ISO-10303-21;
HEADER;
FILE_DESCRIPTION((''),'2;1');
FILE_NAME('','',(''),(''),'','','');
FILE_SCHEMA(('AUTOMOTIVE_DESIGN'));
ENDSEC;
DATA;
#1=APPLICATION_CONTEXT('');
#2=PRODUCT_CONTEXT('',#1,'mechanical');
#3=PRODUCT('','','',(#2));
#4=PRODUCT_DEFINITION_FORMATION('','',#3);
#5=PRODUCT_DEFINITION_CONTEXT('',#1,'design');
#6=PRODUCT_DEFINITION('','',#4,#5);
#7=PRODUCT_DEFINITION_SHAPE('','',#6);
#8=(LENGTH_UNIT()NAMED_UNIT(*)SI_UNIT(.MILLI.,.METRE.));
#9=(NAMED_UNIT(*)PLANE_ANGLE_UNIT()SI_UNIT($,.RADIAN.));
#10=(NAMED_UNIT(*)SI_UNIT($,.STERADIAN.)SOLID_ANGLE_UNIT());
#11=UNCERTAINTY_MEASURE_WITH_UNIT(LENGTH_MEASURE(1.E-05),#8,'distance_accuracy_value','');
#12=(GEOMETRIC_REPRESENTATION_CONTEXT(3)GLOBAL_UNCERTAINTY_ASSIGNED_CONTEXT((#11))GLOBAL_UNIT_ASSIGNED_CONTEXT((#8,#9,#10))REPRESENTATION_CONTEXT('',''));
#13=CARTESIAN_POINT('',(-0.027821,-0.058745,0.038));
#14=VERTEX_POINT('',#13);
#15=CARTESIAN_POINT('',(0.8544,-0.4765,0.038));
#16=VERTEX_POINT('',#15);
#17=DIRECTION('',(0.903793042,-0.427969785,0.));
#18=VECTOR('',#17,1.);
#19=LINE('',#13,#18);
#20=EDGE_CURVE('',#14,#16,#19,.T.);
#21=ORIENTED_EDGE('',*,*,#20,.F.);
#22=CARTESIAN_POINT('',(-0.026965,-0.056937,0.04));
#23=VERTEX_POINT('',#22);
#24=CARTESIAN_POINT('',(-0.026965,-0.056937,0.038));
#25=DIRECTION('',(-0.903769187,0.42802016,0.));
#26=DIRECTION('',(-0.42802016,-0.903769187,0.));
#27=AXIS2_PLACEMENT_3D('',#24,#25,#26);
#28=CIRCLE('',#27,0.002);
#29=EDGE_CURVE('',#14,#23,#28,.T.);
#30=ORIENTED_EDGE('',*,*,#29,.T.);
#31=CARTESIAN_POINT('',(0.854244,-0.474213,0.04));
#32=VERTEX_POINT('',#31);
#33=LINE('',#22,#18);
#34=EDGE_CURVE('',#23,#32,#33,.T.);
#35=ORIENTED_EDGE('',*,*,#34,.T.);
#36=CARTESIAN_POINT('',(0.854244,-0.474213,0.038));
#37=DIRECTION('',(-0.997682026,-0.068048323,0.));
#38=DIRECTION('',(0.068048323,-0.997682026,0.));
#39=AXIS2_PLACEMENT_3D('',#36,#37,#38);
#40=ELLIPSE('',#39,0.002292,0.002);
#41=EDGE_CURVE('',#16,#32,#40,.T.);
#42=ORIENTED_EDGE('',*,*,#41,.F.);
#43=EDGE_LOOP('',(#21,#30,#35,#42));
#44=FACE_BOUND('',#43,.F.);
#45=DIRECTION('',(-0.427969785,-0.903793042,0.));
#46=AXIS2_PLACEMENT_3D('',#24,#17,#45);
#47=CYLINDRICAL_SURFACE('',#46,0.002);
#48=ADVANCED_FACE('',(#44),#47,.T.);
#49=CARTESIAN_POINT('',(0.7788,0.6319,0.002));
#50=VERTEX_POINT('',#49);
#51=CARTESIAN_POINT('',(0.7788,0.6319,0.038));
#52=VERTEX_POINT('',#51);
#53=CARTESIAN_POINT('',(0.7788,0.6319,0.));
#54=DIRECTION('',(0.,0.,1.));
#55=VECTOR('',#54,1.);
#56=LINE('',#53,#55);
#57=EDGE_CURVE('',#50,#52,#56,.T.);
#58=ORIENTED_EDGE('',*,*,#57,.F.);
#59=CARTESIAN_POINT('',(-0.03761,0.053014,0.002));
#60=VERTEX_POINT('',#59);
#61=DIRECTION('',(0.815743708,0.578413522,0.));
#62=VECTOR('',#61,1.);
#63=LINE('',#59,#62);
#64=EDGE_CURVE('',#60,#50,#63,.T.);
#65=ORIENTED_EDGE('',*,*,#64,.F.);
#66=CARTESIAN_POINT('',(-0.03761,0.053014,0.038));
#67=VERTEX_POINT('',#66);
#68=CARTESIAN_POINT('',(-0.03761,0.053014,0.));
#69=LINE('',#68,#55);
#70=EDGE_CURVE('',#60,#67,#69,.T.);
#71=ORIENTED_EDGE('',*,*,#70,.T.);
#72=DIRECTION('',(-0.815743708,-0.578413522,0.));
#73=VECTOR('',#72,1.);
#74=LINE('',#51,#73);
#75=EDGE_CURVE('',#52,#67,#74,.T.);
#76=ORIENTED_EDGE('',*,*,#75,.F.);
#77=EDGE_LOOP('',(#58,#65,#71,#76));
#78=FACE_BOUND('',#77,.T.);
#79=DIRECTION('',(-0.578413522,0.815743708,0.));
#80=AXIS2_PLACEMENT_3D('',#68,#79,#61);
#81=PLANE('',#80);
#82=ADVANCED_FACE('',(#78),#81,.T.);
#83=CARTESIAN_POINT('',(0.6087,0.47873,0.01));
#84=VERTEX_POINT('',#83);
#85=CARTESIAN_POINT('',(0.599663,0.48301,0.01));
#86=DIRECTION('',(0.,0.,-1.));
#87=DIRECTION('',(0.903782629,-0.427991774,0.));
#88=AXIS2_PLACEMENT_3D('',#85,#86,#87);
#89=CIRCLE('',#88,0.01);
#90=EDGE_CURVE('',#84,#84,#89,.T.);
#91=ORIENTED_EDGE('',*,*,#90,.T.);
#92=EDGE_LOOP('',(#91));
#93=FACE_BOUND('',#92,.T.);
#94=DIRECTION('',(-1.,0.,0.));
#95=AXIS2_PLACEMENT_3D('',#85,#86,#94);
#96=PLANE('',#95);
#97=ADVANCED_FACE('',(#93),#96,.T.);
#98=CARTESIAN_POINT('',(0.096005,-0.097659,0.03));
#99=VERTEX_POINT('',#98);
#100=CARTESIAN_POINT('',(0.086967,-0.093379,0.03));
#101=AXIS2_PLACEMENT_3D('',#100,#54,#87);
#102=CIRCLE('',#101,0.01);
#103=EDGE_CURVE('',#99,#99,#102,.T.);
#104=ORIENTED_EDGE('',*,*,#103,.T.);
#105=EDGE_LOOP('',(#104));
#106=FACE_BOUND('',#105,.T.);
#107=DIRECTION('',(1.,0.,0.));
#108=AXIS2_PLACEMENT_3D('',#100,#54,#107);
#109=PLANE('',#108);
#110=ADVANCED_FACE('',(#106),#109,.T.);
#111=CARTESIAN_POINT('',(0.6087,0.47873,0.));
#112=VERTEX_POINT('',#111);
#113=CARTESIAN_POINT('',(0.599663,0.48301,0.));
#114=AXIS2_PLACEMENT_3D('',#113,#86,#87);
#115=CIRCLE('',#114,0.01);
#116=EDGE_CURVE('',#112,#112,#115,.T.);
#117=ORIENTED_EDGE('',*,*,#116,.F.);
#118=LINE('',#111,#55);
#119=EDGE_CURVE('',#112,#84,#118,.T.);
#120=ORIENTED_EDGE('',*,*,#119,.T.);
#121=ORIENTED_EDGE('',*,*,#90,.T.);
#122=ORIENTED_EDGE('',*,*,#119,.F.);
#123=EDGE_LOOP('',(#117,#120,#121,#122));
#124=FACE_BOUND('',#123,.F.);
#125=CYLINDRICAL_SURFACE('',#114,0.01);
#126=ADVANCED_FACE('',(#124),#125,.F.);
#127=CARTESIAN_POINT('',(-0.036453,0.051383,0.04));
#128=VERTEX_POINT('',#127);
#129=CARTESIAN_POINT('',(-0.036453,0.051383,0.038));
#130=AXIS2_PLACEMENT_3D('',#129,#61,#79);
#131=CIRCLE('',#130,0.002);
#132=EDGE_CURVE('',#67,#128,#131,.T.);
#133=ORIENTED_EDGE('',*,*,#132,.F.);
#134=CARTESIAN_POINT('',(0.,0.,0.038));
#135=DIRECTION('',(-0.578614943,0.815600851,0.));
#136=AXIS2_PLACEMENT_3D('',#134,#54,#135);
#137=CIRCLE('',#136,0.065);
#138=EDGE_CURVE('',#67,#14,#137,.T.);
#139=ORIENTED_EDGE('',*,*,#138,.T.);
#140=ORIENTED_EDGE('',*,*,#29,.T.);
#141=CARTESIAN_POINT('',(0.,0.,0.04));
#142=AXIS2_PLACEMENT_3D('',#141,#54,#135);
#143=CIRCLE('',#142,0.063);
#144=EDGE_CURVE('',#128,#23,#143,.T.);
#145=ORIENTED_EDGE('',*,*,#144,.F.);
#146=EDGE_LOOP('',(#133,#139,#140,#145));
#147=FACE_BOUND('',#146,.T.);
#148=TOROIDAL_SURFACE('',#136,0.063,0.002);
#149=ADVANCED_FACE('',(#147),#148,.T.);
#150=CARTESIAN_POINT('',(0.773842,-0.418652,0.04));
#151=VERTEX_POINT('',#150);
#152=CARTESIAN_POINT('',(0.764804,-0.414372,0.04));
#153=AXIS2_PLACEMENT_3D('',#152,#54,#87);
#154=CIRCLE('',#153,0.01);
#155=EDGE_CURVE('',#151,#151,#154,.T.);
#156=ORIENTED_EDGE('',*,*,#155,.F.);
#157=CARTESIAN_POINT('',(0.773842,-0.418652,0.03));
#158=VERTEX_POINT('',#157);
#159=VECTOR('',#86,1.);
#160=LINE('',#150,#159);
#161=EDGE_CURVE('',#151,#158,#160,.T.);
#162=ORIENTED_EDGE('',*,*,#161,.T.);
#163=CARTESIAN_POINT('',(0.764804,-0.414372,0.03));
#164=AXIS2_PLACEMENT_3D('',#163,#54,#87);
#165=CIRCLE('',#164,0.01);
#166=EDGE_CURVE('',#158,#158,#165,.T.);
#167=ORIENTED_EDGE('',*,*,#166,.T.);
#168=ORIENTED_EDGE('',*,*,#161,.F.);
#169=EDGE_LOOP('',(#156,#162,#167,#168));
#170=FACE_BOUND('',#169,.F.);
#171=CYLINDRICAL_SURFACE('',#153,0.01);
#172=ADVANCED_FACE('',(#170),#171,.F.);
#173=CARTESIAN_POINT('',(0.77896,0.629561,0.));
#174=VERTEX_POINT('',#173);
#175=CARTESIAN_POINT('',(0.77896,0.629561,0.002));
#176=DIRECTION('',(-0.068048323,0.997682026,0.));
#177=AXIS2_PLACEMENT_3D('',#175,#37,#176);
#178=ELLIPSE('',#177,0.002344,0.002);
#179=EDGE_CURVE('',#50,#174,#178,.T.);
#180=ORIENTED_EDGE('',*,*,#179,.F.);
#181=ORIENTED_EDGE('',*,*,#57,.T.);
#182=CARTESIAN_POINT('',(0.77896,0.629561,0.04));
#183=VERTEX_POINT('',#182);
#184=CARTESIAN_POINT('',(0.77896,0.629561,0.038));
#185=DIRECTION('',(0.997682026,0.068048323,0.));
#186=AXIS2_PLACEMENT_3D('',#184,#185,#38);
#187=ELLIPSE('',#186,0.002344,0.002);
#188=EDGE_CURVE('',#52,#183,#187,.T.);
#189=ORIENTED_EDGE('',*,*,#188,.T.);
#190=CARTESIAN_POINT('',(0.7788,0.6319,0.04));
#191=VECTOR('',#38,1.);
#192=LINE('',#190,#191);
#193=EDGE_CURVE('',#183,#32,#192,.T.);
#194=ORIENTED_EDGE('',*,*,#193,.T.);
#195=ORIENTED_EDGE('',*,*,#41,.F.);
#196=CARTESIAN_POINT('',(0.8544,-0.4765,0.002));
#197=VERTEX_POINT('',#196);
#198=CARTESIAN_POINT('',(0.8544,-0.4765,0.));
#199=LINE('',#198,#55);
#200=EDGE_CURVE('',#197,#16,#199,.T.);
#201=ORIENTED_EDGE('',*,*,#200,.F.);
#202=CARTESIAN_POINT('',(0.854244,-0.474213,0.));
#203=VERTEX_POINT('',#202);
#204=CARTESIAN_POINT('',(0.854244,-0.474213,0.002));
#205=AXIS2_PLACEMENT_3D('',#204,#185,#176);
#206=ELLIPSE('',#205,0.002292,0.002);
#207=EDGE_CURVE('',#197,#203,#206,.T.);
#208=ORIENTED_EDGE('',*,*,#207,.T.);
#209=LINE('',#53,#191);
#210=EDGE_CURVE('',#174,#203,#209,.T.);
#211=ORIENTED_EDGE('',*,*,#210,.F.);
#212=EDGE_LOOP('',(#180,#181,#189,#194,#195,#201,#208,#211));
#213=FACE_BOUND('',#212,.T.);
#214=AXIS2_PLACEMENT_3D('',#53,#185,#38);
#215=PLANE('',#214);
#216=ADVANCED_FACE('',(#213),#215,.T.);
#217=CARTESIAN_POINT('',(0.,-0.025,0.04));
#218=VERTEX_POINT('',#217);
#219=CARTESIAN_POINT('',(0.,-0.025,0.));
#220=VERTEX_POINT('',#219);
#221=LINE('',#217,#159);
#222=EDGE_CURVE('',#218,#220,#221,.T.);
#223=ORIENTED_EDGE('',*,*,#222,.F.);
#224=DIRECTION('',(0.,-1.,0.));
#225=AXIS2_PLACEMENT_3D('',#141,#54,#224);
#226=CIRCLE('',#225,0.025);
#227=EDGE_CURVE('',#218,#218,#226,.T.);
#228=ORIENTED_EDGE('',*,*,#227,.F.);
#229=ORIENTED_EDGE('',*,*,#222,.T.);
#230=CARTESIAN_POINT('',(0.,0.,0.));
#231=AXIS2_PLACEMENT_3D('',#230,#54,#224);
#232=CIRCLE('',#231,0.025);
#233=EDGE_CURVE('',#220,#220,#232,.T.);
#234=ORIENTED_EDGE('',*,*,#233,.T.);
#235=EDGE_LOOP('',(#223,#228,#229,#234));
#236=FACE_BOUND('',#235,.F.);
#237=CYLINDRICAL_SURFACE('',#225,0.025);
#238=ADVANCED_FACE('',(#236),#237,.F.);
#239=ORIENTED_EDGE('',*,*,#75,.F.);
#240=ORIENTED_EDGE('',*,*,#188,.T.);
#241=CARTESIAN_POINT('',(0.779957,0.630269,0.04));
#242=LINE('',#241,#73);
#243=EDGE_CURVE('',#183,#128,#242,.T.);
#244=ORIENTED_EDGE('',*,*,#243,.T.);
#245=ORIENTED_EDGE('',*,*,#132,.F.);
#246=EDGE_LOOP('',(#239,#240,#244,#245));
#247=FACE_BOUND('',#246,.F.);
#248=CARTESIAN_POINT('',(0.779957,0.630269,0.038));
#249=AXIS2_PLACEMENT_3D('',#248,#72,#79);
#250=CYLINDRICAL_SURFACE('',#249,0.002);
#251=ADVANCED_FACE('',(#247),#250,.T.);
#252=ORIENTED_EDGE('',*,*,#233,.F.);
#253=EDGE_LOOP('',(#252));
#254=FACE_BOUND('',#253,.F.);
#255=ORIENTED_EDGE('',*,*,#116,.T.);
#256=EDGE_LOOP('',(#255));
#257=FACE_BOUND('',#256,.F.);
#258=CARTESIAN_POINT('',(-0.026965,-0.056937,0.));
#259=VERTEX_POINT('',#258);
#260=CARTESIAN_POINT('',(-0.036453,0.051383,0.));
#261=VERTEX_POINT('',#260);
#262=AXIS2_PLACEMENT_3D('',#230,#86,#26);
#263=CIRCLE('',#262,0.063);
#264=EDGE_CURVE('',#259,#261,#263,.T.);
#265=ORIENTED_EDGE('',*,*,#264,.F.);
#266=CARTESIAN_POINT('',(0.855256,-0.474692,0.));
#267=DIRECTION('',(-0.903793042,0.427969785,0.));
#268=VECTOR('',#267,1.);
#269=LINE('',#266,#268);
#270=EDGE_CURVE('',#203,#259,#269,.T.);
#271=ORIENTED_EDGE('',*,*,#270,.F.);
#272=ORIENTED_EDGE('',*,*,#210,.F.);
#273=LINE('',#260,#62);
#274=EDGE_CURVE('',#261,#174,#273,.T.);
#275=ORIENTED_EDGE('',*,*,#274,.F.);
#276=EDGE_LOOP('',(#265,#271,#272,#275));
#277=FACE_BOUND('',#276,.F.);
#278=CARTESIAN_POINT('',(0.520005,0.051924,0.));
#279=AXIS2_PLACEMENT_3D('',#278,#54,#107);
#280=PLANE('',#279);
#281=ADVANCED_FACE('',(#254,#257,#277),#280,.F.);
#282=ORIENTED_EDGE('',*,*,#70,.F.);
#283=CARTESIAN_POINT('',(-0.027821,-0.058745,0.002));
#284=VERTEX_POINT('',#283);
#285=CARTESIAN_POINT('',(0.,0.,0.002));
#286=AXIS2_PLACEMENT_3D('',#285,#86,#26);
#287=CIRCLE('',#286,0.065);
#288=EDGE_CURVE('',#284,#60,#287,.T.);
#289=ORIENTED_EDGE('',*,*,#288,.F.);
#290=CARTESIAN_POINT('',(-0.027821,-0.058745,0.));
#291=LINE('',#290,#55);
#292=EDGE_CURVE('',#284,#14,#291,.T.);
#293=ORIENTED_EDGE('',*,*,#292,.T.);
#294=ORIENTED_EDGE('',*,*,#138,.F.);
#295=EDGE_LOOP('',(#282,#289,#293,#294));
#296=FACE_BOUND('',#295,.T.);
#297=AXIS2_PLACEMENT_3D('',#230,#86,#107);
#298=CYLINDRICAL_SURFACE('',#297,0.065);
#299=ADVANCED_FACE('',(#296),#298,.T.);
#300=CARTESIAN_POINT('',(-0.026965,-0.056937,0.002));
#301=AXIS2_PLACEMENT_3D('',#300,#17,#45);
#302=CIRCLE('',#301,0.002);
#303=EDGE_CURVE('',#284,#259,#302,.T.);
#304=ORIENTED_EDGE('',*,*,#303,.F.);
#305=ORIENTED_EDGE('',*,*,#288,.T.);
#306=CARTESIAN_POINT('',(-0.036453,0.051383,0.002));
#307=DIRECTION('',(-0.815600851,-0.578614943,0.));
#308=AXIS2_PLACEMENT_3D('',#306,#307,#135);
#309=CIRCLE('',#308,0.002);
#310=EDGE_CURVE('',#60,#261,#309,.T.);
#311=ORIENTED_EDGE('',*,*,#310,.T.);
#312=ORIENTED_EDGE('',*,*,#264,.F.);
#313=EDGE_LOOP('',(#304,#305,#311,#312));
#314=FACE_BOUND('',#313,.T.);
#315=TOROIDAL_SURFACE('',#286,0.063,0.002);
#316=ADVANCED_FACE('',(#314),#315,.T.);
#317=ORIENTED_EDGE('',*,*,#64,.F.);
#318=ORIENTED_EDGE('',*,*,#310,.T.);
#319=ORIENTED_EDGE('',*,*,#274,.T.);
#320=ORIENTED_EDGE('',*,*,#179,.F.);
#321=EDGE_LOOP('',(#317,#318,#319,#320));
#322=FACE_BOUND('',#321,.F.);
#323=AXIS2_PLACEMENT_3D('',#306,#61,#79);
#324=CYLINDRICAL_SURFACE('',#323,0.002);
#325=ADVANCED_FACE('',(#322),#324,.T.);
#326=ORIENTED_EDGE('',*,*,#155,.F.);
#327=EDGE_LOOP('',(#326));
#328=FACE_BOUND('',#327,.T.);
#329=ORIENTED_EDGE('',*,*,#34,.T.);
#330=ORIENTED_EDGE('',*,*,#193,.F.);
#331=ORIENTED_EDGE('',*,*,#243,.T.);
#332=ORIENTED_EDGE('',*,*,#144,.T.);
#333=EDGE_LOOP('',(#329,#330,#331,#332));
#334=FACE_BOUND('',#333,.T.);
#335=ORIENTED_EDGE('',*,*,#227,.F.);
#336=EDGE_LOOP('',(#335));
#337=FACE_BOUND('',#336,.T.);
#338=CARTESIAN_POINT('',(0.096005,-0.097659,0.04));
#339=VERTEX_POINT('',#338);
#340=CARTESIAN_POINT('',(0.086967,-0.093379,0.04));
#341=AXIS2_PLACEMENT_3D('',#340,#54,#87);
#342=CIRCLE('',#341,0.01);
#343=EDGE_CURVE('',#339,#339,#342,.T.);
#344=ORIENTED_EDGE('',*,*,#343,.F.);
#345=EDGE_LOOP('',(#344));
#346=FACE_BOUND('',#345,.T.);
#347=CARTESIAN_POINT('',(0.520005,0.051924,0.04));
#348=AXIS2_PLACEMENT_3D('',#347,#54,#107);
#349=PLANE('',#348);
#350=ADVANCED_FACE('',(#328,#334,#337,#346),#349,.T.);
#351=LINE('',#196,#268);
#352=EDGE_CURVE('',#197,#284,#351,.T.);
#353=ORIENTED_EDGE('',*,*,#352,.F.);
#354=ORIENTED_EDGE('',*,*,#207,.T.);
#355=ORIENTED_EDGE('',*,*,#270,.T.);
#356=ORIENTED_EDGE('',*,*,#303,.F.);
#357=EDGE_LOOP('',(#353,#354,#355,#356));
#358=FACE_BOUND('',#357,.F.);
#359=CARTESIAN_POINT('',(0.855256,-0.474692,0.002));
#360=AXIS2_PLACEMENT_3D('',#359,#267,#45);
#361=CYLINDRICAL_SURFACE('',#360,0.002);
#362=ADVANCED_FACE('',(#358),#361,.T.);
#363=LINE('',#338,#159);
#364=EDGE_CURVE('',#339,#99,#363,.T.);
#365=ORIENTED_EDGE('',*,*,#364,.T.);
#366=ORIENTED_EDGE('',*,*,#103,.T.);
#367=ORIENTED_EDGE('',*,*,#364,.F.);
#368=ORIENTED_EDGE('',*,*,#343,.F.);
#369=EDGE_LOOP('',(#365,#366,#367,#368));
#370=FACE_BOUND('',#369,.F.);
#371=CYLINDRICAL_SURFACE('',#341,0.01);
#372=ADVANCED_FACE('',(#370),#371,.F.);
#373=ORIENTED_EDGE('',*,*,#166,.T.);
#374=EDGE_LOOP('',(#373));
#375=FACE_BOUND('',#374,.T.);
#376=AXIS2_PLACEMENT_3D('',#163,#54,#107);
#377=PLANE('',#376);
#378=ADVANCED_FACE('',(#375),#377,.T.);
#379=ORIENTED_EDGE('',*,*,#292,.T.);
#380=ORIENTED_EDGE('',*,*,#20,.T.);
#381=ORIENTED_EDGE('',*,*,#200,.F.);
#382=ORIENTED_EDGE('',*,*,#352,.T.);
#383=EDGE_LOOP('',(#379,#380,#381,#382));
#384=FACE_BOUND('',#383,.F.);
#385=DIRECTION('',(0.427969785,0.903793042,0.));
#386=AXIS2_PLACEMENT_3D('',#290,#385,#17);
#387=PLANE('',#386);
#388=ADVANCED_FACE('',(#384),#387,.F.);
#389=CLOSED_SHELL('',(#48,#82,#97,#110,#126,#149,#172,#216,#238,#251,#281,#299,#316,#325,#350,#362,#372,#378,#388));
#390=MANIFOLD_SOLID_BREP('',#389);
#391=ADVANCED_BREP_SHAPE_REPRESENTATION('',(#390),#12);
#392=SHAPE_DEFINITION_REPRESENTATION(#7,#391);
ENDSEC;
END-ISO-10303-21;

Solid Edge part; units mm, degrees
sketch "Sketch1" plane through (0, 0, 0) normal (0, 0, 1) x (1, 0, 0)
  line L0 (-0.0278, -0.0587) -> (0.8544, -0.4765)
  line L1 (0.7788, 0.6319) -> (0.8544, -0.4765)
  line L2 (-0.0376, 0.053) -> (0.7788, 0.6319)
  arc A0 (-0.0278, -0.0587) -> (-0.0376, 0.053) centre (0, 0) cw
extrude "Protrusion1" add sketch "Sketch1" along normal blind 0.04
sketch "Sketch2" plane through (0.3475, 0, 0.04) normal (0, 0, 1) x (0.9038, -0.428, 0)
  circle A0 centre (-0.1955, -0.1959) radius 0.01
  circle A1 centre (0.5545, -0.1959) radius 0.01
  dimension "D1" = 0.5545
extrude "Ausschnitt_1" cut sketch "Sketch2" against normal blind 0.01
sketch "Sketch3" plane through (0.3675, 0, 0) normal (0, 0, -1) x (0.9038, -0.428, 0)
  circle A0 centre (0.0031, -0.5359) radius 0.01
  dimension "D1" = 0.02
  dimension "D2" = 0.77
extrude "Ausschnitt_2" cut sketch "Sketch3" against normal blind 0.01
sketch "Sketch4" plane through (0.3675, 0, 0.04) normal (0, 0, 1) x (0, -1, 0)
  circle A0 centre (0, -0.3675) radius 0.025
  dimension "D1" = 0.05
extrude "Cutout1" cut sketch "Sketch4" against normal through all
fillet "Verrundung_1" radius 0.002 6 edges at (0.4133, -0.2676, 0.04) (-0.0648, -0.0057, 0.04) (0.3706, 0.3425, 0.04) (-0.0648, -0.0057, 0) (0.3706, 0.3425, 0) (0.4133, -0.2676, 0)
